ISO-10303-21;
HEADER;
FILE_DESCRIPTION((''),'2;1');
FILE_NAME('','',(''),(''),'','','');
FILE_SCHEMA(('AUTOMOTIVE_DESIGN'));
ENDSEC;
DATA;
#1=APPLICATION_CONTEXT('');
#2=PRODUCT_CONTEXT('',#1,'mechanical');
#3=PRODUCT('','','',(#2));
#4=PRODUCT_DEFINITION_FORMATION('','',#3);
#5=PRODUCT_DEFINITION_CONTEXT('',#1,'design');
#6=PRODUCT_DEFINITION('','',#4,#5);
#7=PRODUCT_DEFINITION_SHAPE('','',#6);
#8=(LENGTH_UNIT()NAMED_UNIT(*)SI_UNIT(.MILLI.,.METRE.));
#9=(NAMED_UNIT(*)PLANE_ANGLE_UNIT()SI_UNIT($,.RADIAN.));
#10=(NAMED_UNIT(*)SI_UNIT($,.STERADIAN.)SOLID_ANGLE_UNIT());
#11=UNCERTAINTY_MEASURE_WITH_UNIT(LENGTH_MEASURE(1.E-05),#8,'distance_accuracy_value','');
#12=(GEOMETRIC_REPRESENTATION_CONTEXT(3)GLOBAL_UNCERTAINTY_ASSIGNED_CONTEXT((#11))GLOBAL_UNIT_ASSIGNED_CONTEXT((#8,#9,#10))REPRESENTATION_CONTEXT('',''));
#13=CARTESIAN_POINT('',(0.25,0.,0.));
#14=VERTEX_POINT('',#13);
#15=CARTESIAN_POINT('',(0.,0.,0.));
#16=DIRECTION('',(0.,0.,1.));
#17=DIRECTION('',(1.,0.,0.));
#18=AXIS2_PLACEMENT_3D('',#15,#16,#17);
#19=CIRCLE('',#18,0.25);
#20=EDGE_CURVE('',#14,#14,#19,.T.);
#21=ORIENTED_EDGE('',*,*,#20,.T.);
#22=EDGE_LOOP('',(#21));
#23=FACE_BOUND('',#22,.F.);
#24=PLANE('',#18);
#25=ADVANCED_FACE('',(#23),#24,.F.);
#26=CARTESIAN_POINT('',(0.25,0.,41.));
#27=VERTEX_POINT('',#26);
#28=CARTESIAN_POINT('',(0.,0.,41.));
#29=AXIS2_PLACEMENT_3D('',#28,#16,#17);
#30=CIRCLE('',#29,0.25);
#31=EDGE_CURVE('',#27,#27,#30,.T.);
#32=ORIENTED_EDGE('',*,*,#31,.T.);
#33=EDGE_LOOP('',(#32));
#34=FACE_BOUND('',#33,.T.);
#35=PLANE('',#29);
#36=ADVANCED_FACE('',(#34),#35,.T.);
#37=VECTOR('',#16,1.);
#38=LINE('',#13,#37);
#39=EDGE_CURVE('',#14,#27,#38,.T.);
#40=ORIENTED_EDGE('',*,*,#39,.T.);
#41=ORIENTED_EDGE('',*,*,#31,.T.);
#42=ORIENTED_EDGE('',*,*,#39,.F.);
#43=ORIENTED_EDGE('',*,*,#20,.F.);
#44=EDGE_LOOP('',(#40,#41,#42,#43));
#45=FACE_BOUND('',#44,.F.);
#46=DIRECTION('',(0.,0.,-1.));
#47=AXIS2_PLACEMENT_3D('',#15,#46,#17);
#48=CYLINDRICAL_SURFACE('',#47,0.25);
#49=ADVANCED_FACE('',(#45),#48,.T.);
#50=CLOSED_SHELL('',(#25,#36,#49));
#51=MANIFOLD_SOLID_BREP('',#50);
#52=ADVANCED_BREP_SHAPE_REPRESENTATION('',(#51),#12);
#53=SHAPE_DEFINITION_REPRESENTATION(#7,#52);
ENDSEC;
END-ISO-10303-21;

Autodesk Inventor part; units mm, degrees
ref_plane "YZ Plane" through (0, 0, 0) normal (1, 0, 0) x (0, 1, 0)
ref_plane "XZ Plane" through (0, 0, 0) normal (0, 1, 0) x (-1, 0, 0)
ref_plane "XY Plane" through (0, 0, 0) normal (0, 0, 1) x (1, 0, 0)
sketch "Sketch1" plane through (0, 0, 0) normal (0, 0, 1) x (1, 0, 0)
  circle A0 centre (0, 0) radius 0.25
  dimension "d1" = 41
extrude "Extrusion1" add sketch "Sketch1" along normal blind 41
properties part number "hysteresisrod"
